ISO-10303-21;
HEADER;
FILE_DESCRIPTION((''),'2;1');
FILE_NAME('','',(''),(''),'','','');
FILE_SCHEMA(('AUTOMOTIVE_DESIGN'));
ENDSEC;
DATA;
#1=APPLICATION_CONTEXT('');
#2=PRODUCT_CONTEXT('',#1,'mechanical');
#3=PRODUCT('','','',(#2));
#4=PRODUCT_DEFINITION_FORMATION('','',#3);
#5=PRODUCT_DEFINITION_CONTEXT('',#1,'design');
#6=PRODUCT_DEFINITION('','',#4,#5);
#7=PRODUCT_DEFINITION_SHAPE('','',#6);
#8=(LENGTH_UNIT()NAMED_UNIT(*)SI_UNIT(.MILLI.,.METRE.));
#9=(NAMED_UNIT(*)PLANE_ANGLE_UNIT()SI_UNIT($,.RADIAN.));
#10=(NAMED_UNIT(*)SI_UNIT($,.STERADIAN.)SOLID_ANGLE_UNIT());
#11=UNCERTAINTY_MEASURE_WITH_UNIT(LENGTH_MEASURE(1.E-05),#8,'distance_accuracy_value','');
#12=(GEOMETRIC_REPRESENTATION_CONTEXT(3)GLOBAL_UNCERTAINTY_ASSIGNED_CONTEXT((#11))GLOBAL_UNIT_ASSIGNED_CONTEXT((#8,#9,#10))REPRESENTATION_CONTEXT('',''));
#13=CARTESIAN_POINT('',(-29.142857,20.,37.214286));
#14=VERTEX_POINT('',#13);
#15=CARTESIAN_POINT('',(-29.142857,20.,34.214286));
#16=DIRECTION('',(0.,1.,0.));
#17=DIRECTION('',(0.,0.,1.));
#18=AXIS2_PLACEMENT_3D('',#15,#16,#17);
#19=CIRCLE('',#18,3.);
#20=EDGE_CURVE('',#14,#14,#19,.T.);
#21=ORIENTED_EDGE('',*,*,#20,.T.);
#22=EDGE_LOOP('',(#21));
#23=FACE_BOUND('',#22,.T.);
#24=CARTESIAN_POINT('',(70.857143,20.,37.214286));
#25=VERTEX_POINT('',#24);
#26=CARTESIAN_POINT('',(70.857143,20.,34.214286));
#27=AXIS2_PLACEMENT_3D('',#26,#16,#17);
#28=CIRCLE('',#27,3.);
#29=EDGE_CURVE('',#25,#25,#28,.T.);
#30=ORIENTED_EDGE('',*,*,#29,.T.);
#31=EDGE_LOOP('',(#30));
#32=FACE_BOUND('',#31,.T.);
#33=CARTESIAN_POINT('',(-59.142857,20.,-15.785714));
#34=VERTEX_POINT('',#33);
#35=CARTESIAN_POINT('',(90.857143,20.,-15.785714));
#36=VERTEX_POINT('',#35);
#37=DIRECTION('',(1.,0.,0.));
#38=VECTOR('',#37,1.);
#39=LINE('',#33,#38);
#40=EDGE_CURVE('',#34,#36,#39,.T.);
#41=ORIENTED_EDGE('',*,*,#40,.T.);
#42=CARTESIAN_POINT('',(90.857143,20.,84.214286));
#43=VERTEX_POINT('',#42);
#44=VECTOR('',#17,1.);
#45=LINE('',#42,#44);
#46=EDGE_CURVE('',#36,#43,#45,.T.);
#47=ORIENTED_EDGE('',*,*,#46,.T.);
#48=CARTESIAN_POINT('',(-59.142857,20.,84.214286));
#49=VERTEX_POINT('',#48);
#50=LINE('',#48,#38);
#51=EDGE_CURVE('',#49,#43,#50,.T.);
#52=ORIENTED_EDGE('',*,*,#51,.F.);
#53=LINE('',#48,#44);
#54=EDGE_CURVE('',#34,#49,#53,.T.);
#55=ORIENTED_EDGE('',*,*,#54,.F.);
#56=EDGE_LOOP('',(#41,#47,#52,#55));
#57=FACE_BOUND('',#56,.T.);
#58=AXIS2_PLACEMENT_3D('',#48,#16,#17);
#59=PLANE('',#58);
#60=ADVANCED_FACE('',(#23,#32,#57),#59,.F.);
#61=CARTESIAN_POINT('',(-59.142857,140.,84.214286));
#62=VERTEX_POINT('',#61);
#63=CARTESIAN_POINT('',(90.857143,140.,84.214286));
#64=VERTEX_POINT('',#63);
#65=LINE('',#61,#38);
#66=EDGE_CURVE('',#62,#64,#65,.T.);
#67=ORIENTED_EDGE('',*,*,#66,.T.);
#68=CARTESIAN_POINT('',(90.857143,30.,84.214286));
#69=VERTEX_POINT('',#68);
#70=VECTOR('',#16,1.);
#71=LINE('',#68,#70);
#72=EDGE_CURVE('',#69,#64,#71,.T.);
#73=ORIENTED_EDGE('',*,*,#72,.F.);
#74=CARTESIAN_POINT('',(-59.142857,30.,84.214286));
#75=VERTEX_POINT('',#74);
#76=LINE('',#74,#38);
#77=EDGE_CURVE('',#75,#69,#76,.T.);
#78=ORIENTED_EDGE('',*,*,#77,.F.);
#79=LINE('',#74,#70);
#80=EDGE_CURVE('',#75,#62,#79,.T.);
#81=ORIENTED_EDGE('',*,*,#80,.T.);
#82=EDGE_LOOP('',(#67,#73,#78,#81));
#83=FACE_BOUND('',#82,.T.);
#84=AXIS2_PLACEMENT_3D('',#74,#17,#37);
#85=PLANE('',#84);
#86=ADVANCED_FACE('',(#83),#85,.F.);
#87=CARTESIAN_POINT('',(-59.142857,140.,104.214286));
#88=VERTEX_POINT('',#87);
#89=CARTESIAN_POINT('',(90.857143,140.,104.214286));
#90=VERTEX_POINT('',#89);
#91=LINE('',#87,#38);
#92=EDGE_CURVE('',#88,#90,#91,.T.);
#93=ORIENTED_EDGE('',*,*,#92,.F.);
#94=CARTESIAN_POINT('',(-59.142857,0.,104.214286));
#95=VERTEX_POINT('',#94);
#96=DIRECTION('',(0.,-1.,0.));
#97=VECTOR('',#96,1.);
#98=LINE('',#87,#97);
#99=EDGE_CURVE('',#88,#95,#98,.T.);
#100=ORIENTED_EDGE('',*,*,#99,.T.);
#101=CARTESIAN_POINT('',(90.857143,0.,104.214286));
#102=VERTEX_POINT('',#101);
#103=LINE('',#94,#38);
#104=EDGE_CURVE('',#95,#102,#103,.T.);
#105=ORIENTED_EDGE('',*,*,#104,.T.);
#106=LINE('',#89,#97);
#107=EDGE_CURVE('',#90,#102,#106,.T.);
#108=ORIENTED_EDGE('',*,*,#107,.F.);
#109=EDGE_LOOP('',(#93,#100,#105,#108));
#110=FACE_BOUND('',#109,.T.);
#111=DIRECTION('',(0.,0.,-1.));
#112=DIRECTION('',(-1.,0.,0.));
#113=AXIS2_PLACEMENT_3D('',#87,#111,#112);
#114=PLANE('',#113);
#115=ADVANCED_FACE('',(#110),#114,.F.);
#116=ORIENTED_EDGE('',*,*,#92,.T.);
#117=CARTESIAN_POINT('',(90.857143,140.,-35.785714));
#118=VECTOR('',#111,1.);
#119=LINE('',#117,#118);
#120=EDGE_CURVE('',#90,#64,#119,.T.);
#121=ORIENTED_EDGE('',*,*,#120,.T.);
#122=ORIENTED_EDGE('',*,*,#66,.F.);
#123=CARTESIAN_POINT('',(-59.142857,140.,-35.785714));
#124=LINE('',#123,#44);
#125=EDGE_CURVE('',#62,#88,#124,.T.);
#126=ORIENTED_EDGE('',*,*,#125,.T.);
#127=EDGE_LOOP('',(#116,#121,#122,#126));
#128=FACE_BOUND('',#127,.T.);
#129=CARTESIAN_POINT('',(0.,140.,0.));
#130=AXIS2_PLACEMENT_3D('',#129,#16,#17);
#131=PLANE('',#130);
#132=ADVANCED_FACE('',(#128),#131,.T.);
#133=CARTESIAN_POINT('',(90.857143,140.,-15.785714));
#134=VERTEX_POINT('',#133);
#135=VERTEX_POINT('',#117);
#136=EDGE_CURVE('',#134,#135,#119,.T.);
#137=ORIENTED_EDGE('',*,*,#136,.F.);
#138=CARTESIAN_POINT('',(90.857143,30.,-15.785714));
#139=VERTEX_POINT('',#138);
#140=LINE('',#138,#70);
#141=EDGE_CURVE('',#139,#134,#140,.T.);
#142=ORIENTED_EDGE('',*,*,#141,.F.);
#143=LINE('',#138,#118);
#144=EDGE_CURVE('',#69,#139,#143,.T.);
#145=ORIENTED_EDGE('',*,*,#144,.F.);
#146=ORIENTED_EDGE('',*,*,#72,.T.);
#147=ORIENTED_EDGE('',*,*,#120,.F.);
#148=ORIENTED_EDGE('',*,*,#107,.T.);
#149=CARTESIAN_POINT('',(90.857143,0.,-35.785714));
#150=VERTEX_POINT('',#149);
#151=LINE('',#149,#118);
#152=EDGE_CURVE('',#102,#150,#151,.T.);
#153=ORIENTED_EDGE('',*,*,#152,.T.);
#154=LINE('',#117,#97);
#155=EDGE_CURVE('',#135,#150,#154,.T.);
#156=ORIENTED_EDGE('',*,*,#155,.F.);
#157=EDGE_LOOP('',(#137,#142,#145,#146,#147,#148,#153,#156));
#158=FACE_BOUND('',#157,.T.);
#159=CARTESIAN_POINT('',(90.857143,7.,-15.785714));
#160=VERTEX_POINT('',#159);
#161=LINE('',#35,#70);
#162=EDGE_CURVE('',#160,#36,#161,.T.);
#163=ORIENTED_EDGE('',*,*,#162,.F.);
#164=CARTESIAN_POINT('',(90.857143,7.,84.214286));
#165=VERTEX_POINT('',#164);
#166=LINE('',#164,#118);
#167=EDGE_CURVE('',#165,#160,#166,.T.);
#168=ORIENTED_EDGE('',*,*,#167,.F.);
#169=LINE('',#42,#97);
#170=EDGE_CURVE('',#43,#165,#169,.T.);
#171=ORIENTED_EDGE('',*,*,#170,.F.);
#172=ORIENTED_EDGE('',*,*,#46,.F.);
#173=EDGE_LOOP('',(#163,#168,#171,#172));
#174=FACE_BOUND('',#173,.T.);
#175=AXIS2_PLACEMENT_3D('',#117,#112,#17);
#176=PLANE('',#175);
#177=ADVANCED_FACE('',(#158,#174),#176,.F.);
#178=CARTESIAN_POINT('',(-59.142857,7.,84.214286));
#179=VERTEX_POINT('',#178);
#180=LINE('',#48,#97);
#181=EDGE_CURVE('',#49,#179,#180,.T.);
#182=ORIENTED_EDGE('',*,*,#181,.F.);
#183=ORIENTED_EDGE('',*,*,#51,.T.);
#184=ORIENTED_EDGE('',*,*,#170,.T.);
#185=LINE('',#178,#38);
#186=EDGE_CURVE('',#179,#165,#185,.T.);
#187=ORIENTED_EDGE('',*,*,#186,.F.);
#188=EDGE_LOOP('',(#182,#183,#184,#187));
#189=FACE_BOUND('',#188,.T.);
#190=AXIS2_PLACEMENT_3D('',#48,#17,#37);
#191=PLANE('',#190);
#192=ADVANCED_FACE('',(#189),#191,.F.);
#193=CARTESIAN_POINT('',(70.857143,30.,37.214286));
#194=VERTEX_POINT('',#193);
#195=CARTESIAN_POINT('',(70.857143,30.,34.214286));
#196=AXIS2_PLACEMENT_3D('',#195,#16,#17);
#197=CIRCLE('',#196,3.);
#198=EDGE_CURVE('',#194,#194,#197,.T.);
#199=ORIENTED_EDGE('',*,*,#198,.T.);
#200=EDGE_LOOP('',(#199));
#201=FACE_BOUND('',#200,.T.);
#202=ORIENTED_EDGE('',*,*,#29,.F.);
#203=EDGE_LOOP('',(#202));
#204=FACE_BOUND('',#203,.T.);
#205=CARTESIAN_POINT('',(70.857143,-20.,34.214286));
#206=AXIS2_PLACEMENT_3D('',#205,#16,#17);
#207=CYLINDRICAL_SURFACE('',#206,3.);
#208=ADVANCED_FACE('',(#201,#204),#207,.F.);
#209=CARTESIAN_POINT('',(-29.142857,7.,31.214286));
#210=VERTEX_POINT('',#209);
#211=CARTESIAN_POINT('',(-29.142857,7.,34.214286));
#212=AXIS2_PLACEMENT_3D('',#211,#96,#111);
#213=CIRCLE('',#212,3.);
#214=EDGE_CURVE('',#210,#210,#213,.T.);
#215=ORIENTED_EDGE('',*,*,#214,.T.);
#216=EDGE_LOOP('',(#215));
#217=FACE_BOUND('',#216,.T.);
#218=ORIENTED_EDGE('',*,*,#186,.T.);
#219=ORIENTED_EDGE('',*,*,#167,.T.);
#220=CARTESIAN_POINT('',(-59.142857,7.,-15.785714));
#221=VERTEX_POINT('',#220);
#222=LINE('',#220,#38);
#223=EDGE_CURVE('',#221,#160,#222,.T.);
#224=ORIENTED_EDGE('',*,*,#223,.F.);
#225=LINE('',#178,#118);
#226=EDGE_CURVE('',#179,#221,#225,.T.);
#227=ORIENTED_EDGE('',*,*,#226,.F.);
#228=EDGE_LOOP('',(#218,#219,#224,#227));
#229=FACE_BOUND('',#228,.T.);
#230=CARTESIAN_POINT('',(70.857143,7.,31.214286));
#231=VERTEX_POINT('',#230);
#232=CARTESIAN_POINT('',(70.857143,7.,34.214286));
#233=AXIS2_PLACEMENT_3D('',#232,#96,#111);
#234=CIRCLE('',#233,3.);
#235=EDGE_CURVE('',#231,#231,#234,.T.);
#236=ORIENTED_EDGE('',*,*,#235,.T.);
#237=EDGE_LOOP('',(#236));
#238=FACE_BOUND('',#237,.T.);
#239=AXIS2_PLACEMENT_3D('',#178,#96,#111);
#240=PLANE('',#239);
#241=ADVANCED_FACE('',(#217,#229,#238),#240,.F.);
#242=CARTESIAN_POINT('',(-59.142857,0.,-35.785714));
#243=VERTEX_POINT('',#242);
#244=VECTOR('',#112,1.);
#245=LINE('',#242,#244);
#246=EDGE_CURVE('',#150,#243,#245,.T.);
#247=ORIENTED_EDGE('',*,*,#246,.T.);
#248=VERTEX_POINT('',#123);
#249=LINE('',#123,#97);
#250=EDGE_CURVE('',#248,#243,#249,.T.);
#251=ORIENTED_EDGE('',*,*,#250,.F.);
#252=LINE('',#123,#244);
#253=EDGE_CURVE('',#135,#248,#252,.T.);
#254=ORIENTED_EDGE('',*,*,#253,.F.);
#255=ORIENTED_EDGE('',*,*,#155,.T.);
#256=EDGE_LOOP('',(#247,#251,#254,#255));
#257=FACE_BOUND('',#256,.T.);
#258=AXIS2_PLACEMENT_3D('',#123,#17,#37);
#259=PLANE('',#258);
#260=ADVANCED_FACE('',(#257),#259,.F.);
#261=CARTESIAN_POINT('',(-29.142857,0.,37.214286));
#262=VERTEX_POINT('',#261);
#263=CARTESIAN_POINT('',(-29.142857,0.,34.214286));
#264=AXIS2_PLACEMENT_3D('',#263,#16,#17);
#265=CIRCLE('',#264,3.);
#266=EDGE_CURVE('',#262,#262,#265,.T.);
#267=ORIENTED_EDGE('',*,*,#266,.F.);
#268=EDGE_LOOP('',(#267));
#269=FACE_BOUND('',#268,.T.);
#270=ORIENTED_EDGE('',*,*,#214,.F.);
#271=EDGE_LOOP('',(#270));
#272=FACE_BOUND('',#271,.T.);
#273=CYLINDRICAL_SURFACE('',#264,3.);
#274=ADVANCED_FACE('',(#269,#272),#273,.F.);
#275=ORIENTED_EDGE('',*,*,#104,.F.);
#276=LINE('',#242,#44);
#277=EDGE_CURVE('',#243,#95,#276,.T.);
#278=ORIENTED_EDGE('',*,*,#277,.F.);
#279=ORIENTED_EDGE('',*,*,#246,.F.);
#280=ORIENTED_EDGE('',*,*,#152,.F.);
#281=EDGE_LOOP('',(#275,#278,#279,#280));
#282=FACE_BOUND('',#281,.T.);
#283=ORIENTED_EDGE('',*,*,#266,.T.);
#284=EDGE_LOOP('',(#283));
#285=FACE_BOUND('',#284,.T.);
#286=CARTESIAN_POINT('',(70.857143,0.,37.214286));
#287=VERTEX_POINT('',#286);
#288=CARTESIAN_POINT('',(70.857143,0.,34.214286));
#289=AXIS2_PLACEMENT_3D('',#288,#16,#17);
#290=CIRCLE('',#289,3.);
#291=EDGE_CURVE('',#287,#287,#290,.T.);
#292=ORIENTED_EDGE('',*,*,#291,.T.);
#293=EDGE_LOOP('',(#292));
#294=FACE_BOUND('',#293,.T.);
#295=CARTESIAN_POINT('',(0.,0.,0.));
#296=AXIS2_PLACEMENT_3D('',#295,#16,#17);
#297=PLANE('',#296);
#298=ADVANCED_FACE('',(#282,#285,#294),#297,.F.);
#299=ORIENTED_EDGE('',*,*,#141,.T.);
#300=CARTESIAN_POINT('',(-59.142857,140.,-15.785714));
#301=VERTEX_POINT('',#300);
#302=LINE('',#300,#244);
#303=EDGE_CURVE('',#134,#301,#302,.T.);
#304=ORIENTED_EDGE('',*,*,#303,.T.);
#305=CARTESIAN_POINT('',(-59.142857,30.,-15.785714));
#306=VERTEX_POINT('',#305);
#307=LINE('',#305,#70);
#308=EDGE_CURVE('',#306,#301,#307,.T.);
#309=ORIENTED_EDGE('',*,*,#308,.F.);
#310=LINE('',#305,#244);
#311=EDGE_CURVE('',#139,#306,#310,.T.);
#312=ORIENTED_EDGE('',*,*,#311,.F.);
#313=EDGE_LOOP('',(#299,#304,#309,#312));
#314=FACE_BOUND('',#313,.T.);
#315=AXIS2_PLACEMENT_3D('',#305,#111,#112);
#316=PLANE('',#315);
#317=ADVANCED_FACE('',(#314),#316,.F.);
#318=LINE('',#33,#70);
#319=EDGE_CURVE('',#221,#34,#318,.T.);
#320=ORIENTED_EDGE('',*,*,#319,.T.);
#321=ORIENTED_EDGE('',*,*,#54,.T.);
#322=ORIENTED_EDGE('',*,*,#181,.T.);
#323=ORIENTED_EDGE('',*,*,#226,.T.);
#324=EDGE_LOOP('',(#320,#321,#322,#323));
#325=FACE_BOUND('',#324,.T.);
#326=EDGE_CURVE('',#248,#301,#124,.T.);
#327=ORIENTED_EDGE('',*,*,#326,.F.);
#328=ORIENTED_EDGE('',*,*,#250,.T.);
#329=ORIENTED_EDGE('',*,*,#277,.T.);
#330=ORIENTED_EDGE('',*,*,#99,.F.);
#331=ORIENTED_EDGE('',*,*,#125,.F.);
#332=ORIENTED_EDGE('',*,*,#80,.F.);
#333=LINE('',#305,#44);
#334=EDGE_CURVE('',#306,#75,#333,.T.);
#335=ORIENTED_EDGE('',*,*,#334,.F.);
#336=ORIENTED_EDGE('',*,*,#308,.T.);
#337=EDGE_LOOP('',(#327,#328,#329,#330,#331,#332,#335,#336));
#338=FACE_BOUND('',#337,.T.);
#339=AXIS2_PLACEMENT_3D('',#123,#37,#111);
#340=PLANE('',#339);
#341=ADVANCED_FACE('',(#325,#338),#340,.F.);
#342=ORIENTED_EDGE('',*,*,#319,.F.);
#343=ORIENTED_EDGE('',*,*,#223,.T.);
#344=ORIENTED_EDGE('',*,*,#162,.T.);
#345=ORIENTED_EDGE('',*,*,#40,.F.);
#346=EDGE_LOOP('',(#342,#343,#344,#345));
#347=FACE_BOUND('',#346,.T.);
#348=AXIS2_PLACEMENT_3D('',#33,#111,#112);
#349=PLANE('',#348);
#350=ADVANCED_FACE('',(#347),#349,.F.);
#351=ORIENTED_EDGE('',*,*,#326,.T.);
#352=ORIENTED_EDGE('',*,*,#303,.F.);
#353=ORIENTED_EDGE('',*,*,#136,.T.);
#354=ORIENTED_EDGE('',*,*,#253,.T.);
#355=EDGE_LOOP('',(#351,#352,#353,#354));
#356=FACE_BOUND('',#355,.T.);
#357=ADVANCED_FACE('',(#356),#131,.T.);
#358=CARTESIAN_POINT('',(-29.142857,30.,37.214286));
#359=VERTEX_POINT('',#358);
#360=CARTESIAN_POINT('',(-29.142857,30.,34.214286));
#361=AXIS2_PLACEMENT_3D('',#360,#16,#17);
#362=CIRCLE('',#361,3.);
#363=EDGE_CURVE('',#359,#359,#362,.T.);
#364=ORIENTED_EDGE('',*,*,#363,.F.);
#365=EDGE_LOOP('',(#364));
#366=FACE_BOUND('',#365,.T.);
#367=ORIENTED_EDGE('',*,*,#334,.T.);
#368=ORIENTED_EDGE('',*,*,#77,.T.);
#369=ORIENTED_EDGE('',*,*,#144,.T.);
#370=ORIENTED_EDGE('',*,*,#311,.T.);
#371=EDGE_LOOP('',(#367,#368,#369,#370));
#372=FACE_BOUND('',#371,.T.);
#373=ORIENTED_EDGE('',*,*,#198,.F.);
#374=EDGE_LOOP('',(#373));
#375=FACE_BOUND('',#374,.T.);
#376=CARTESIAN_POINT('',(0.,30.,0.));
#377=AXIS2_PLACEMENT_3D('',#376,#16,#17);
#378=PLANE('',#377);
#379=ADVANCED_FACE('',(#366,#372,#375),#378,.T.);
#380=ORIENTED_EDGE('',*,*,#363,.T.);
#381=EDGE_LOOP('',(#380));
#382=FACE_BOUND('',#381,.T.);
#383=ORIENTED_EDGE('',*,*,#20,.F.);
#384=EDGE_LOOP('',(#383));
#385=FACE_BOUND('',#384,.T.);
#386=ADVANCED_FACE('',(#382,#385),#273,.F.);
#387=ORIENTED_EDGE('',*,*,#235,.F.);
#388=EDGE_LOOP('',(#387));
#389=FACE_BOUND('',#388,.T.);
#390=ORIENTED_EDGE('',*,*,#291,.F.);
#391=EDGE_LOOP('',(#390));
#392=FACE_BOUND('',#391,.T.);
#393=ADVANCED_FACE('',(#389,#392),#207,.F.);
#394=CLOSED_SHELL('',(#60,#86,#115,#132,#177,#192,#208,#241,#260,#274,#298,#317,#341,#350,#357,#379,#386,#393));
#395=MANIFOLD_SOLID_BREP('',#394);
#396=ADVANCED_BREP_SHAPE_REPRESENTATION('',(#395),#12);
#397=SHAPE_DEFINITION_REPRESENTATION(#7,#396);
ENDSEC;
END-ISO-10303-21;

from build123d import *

# Parameters (mm, degrees)
SKETCH_2_W          = 150
SKETCH_2_H          = 140
EXTRUDE_1_DEPTH     = 140
SKETCH_3_W          = 150
SKETCH_3_H          = 100
CUT_EXTRUDE_1_DEPTH = 110
SKETCH_4_W          = 100
SKETCH_4_H          = 13
CUT_EXTRUDE_2_DEPTH = 231.131739112
SKETCH_5_R          = 3
CUT_EXTRUDE_3_DEPTH = 50
SKETCH_6_R          = 3
CUT_EXTRUDE_4_DEPTH = 177.679477459


with BuildPart() as part:
    # 草圖2 → 填料-伸長1 (new body)
    with BuildSketch(Plane(origin=(0, 0, 0), x_dir=(1, 0, 0), z_dir=(0, 1, 0))):
        with Locations((15.857142857, -34.214285714)):
            Rectangle(SKETCH_2_W, SKETCH_2_H)
    extrude(amount=EXTRUDE_1_DEPTH)

    # 草圖3 → 除料-伸長1 (cut)
    with BuildSketch(Plane(origin=(0, 140, 0), x_dir=(1, 0, 0), z_dir=(0, 1, 0))):
        with Locations((15.857142857, -34.214285714)):
            Rectangle(SKETCH_3_W, SKETCH_3_H)
    extrude(amount=-CUT_EXTRUDE_1_DEPTH, mode=Mode.SUBTRACT)

    # 草圖4 → 除料-伸長2 (cut, through all)
    with BuildSketch(Plane(origin=(90.857142857, 0, 0), x_dir=(0, 0, -1), z_dir=(1, 0, 0))):
        with Locations((-34.214285714, 13.5)):
            Rectangle(SKETCH_4_W, SKETCH_4_H)
    extrude(amount=-CUT_EXTRUDE_2_DEPTH, mode=Mode.SUBTRACT)

    # 草圖5 → 除料-伸長3 (cut)
    with BuildSketch(Plane(origin=(0, 30, 0), x_dir=(1, 0, 0), z_dir=(0, 1, 0))):
        with Locations(Location((70.857142857, -34.214285714, 0), (0, 0, 270))):
            Circle(SKETCH_5_R)
    extrude(amount=-CUT_EXTRUDE_3_DEPTH, mode=Mode.SUBTRACT)

    # 草圖6 → 除料-伸長4 (cut, through all)
    with BuildSketch(Plane(origin=(0, 30, 0), x_dir=(1, 0, 0), z_dir=(0, 1, 0))):
        with Locations(Location((-29.142857143, -34.214285714, 0), (0, 0, 270))):
            Circle(SKETCH_6_R)
    extrude(amount=-CUT_EXTRUDE_4_DEPTH, mode=Mode.SUBTRACT)


solid = part.part
